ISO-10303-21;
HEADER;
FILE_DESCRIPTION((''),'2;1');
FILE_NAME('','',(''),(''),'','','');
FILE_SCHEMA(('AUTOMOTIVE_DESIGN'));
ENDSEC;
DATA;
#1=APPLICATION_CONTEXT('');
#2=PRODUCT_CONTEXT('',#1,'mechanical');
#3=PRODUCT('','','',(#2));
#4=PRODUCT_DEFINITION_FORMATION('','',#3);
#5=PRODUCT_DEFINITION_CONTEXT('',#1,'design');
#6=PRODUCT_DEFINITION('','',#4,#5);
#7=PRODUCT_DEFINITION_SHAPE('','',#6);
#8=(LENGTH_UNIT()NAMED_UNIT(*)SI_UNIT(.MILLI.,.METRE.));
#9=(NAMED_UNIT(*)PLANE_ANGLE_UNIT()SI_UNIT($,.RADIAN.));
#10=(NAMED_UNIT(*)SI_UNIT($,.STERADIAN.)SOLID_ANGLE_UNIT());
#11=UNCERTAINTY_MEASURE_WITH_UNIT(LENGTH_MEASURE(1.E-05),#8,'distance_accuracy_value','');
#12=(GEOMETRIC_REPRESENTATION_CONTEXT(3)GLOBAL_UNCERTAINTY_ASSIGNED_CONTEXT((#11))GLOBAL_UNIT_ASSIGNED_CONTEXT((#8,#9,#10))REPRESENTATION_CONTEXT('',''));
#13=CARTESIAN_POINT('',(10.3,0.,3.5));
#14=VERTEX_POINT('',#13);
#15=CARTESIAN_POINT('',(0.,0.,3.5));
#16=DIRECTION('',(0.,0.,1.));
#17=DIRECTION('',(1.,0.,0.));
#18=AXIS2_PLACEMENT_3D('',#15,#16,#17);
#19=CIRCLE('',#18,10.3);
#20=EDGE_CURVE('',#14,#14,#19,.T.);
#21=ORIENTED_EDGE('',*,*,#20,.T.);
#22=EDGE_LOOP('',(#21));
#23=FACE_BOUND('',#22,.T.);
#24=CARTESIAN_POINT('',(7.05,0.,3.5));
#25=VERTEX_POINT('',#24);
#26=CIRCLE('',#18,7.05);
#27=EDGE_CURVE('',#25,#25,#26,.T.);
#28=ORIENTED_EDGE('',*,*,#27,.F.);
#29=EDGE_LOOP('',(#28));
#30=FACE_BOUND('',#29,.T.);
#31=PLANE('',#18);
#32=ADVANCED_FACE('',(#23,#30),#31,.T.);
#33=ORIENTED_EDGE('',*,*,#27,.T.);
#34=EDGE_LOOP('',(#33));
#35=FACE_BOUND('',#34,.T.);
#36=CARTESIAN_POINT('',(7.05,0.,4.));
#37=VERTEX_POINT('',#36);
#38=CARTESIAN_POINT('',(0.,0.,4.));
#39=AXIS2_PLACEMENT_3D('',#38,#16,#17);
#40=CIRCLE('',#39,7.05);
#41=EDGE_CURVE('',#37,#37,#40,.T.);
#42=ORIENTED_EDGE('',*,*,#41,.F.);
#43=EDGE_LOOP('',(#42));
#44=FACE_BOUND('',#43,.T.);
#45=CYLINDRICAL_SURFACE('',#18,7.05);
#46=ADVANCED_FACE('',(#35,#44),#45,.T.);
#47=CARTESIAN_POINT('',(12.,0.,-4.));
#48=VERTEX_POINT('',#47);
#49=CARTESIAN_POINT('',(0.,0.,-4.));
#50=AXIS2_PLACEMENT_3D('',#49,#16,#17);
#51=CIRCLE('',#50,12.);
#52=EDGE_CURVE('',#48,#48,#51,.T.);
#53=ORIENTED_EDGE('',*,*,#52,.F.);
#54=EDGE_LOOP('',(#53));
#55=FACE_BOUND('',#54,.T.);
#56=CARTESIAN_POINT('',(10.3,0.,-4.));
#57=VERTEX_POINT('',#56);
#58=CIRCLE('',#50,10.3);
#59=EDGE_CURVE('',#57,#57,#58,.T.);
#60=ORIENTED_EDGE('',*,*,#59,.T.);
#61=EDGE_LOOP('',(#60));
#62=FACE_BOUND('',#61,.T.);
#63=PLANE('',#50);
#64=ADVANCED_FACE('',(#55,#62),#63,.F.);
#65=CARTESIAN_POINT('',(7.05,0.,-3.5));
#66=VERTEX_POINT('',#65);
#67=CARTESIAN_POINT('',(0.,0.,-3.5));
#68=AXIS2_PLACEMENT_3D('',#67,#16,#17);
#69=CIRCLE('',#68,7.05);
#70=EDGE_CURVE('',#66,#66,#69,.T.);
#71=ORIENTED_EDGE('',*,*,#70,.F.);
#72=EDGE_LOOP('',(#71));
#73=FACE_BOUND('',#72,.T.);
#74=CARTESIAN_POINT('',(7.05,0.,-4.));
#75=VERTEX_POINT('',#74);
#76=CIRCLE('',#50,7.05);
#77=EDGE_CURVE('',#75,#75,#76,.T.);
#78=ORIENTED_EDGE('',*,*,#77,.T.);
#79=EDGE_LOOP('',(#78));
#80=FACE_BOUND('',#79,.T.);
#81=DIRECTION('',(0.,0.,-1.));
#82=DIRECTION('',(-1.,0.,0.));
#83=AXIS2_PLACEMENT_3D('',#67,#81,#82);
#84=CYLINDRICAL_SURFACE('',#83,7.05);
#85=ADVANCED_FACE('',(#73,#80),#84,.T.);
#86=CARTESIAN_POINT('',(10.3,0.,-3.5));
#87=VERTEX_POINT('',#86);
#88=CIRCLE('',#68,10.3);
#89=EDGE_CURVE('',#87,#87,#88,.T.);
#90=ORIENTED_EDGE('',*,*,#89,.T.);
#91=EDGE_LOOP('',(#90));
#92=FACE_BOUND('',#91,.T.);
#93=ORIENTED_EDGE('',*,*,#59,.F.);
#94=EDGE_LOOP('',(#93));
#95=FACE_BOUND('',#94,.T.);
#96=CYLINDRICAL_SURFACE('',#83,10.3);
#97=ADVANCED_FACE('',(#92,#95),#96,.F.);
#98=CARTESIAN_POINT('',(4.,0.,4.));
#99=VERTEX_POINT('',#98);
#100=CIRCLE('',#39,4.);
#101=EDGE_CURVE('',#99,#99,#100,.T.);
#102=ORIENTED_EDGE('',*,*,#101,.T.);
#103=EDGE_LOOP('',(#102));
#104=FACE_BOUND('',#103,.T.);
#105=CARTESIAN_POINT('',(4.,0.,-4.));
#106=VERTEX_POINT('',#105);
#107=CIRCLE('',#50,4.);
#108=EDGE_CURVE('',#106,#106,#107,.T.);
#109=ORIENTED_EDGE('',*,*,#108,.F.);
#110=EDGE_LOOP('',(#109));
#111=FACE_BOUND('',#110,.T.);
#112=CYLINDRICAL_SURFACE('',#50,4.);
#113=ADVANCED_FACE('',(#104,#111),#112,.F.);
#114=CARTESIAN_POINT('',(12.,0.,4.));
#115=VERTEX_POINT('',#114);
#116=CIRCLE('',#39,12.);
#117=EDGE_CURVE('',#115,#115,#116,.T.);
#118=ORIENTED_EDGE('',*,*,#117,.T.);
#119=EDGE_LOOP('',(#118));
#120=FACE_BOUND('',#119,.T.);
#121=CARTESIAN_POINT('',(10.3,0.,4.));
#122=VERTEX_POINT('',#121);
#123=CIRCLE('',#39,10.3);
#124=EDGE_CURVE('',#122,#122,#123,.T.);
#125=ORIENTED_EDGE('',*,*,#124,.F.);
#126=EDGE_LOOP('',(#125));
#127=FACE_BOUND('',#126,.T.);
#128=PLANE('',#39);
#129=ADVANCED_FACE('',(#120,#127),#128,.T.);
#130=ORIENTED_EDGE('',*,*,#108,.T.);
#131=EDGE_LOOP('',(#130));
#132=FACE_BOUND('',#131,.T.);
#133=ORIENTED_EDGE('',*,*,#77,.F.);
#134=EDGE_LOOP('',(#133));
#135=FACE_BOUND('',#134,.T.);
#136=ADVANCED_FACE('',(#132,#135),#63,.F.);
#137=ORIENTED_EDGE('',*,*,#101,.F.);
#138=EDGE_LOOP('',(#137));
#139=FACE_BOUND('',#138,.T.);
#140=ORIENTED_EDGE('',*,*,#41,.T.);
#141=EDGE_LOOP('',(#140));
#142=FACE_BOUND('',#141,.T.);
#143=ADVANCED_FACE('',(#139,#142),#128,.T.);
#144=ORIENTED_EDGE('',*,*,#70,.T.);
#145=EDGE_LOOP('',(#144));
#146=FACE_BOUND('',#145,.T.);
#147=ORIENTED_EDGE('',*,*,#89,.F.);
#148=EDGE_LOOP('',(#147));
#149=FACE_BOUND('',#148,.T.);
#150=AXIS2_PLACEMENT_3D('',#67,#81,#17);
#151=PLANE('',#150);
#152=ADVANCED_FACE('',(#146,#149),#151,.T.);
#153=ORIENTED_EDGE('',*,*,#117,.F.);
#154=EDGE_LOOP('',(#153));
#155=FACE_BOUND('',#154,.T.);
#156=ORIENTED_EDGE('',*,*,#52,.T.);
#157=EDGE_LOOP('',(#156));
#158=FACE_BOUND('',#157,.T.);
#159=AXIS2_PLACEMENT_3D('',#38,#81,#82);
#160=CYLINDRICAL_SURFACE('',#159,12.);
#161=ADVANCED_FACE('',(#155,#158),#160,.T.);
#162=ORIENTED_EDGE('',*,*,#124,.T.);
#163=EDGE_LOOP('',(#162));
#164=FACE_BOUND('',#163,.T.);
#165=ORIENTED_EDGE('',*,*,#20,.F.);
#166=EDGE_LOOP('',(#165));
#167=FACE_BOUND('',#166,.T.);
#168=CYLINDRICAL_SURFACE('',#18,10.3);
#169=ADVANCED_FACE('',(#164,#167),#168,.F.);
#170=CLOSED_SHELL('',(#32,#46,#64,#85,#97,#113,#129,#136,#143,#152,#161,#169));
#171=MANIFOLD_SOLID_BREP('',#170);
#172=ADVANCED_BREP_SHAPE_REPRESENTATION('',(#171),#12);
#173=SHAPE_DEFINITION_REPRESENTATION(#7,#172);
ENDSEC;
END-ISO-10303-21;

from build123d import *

# Parameters (mm, degrees)
SKETCH_1_R          = 12
EXTRUDE_1_DEPTH     = 4
SKETCH_2_R          = 4
CUT_EXTRUDE_1_DEPTH = 9
SKETCH_3_R          = 10.3
SKETCH_3_R_2        = 7.05
CUT_EXTRUDE_2_DEPTH = 0.5


with BuildPart() as part:
    # 草圖1 → 填料-伸長1 (new body, symmetric)
    with BuildSketch(Plane.XY):
        Circle(SKETCH_1_R)
    extrude(amount=EXTRUDE_1_DEPTH, both=True)

    # 草圖2 → 除料-伸長1 (cut, through all)
    with BuildSketch(Plane.XY.offset(4)):
        Circle(SKETCH_2_R)
    extrude(amount=-CUT_EXTRUDE_1_DEPTH, mode=Mode.SUBTRACT)

    # 草圖3 → 除料-伸長2 (cut)
    with BuildSketch(Plane.XY.offset(4)):
        Circle(SKETCH_3_R)
        Circle(SKETCH_3_R_2, mode=Mode.SUBTRACT)
    cut_extrude_2 = extrude(amount=-CUT_EXTRUDE_2_DEPTH, mode=Mode.SUBTRACT)

    # 鏡射1: 除料-伸長2 across plane
    add(cut_extrude_2.mirror(Plane.XY), mode=Mode.SUBTRACT)


solid = part.part
